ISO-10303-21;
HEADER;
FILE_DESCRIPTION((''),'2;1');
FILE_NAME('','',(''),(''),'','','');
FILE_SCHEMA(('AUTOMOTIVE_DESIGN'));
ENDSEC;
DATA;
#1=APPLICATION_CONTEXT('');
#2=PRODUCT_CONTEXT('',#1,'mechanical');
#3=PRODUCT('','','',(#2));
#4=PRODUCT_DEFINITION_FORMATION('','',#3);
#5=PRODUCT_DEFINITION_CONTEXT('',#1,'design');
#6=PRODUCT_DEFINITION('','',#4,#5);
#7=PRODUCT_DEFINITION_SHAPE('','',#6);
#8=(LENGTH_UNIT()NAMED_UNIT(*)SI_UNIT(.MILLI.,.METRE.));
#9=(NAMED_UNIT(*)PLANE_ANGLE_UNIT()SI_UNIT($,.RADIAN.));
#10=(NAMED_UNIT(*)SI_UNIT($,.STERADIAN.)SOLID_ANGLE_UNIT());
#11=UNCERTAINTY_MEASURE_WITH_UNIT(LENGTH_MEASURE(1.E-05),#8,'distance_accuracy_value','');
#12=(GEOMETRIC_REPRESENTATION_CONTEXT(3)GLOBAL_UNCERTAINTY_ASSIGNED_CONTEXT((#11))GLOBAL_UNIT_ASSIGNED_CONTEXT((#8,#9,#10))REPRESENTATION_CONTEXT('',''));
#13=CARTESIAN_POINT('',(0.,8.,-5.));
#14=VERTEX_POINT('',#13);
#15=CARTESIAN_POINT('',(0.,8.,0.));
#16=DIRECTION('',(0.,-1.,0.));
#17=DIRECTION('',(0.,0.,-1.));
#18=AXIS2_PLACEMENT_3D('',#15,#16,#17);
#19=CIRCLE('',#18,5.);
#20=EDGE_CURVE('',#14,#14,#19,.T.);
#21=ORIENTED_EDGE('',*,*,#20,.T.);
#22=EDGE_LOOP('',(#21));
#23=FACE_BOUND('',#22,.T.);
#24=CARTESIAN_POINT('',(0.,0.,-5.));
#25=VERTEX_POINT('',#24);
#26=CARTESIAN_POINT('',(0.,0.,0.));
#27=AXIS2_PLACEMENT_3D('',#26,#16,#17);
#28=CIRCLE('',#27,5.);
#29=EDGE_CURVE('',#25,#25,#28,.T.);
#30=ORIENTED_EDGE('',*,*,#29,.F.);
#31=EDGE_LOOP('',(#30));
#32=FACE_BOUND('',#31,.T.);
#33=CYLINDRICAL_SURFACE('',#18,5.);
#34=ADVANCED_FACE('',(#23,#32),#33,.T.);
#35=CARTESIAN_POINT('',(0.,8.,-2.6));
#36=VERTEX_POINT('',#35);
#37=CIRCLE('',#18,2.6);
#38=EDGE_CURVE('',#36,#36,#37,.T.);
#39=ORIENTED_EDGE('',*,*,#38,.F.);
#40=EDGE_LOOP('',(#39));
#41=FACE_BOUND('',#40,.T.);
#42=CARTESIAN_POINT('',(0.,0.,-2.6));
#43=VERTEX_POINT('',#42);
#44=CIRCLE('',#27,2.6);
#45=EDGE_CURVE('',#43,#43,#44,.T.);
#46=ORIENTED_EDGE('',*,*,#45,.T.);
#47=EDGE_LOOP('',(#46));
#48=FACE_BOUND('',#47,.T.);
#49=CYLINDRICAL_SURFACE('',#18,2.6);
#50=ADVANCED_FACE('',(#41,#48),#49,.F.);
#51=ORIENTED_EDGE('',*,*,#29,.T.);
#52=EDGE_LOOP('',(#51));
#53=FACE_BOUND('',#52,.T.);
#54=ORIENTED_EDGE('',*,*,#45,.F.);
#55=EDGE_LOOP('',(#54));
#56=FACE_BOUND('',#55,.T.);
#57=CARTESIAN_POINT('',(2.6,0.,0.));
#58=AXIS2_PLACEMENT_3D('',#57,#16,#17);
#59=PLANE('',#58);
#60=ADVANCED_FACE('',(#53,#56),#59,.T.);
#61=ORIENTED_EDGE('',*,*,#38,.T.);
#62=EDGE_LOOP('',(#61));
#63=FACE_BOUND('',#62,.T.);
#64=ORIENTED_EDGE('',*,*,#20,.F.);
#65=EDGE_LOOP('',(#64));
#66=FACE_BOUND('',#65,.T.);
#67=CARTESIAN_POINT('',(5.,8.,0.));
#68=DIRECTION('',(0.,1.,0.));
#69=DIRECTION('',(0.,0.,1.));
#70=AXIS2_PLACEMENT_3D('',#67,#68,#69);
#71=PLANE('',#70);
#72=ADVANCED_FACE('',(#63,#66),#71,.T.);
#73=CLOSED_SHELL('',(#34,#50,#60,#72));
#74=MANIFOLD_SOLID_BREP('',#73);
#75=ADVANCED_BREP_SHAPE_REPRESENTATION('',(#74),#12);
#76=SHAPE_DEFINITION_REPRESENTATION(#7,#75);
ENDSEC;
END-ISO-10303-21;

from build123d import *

# Parameters (mm, degrees)
SKETCH1_W = 2.4
SKETCH1_H = 8


with BuildPart() as part:
    # Sketch1 → Revolve1 (revolve)
    with BuildSketch(Plane.XY):
        with Locations((3.8, 4)):
            Rectangle(SKETCH1_W, SKETCH1_H)
    revolve(axis=Axis((0, 8, 0), (0, -1, 0)))


solid = part.part
